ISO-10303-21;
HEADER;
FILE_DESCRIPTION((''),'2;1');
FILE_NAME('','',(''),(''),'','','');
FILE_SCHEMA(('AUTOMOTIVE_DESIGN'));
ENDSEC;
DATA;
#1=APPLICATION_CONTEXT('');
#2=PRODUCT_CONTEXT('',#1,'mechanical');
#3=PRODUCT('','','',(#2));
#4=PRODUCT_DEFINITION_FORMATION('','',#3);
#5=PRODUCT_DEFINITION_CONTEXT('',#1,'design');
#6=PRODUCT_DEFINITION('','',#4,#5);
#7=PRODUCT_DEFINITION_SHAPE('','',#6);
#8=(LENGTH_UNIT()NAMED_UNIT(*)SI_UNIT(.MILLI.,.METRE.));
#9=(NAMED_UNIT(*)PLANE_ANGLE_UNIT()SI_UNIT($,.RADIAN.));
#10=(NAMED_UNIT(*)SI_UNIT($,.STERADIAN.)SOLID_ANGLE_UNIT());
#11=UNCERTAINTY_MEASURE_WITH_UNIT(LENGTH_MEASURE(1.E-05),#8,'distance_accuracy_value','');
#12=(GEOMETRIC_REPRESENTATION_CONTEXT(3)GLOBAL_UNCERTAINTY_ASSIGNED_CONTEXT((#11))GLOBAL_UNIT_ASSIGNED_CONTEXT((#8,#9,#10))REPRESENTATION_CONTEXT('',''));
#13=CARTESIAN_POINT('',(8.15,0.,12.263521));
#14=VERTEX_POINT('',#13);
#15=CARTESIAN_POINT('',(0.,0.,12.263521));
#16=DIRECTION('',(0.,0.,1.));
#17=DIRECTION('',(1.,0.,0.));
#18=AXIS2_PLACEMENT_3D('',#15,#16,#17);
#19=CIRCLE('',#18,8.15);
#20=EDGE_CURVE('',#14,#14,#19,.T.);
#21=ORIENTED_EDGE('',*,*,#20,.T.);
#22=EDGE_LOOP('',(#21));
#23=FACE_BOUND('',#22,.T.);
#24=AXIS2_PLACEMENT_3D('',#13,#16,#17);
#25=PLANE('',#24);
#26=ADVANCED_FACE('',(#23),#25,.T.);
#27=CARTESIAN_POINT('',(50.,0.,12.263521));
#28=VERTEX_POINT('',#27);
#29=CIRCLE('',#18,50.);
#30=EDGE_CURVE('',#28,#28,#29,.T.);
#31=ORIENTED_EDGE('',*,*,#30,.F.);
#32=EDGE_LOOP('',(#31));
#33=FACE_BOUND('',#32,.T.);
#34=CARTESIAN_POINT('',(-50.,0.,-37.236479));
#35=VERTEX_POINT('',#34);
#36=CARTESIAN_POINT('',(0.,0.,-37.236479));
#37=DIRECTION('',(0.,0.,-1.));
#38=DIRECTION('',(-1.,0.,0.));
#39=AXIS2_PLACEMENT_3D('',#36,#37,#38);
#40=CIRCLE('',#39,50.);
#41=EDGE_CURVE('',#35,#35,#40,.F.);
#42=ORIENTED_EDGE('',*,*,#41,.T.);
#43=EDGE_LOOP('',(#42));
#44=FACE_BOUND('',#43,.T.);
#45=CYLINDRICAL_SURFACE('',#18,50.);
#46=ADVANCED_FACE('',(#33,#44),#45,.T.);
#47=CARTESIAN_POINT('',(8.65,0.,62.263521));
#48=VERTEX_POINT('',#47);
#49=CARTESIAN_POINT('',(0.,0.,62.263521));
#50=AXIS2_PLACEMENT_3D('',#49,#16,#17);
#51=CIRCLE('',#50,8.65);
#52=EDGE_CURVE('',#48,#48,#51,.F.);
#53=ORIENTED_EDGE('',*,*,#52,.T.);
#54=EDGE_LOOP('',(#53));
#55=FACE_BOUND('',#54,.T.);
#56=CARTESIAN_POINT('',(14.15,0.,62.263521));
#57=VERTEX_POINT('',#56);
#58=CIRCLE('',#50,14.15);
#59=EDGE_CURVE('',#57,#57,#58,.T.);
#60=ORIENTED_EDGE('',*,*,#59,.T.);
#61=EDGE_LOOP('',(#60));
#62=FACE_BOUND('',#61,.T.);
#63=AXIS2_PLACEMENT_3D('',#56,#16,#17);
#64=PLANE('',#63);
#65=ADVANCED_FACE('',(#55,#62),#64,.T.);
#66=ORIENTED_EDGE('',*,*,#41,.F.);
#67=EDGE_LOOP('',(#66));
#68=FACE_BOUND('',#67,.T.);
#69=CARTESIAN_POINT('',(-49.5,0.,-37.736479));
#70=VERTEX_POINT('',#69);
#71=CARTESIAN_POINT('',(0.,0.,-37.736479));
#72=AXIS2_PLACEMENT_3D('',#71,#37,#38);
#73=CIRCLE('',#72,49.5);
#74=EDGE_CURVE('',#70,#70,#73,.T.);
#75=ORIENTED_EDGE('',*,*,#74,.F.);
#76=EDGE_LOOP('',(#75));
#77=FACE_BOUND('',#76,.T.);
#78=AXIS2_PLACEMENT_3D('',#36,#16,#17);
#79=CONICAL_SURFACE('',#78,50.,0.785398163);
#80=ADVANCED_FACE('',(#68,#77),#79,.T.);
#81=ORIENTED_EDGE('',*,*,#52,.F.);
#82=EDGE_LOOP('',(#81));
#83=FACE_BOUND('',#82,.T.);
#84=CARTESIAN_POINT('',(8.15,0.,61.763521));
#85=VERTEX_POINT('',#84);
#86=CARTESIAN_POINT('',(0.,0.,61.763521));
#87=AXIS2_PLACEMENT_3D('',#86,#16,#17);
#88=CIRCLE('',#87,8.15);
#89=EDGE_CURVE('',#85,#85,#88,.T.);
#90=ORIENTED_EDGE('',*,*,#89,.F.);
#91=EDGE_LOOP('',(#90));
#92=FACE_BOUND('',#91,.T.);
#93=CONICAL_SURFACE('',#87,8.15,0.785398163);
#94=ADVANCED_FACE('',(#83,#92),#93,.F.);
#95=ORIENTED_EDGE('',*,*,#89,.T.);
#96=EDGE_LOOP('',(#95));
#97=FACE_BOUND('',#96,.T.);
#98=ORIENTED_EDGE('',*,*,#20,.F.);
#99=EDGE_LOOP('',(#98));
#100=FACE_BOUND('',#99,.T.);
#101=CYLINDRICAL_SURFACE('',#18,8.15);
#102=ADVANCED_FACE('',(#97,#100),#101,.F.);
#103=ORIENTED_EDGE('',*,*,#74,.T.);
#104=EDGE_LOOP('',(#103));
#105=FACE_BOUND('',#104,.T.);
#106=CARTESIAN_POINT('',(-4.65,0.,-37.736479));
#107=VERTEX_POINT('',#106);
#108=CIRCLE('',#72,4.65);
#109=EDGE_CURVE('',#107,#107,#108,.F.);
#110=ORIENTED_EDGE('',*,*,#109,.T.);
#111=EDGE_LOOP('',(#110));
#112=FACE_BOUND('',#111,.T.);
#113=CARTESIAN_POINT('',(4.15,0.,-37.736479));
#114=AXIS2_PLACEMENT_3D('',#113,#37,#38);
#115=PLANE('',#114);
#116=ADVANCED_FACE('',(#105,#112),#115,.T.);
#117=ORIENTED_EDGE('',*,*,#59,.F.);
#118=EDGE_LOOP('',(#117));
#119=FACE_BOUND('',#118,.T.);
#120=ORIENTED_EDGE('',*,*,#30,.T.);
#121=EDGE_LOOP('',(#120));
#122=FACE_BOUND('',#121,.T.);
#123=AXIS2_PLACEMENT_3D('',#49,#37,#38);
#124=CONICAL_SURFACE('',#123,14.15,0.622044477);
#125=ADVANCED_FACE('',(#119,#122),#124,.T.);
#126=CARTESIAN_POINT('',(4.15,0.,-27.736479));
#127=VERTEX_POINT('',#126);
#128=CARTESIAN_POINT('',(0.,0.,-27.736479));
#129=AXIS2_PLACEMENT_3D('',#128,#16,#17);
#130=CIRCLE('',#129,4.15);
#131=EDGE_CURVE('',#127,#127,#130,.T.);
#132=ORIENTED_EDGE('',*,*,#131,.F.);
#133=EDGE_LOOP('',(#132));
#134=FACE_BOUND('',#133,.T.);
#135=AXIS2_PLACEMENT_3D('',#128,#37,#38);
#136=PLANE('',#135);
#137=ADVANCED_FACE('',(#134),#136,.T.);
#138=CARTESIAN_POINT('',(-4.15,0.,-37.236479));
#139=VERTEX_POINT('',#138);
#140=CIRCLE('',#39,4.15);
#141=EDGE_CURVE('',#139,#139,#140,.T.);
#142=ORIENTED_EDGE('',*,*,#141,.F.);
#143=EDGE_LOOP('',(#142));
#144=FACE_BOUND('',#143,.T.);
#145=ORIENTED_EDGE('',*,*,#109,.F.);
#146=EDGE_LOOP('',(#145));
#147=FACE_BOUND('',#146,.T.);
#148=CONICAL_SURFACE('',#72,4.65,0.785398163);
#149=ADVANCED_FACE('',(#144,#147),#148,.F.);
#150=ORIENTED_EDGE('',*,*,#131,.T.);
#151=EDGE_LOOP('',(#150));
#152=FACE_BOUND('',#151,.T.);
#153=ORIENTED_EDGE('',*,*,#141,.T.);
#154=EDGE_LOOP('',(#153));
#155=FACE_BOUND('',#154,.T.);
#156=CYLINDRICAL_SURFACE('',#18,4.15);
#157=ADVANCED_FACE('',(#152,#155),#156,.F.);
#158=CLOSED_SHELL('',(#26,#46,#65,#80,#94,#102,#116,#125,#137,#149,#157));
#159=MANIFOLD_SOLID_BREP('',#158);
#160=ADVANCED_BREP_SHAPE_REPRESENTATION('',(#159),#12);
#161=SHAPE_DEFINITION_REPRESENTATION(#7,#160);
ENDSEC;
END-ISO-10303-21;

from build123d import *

# Parameters (mm, degrees)
CHAMFER1_SIZE = 0.5


with BuildPart() as part:
    # Sketch1 → Revolve1 (revolve)
    with BuildSketch(Plane(origin=(0, 0, 0), x_dir=(1, 0, 0), z_dir=(0, 1, 0))):
        Polygon((0, 27.73647874), (4.15, 27.73647874), (4.15, 37.73647874), (50, 37.73647874), (50, -12.26352126), (14.15, -62.26352126), (8.15, -62.26352126), (8.15, -12.26352126), (0, -12.26352126), align=None)
    revolve(axis=Axis((0, 0, 12.26352126), (0, 0, -1)))

    # Chamfer1
    chamfer1_edges = [part.edges().sort_by_distance(p)[0] for p in [
        (-8.15, 0, 62.26352126),
        (-50, 0, -37.73647874),
        (-4.15, 0, -37.73647874),
    ]]
    chamfer(chamfer1_edges, length=CHAMFER1_SIZE)


solid = part.part
